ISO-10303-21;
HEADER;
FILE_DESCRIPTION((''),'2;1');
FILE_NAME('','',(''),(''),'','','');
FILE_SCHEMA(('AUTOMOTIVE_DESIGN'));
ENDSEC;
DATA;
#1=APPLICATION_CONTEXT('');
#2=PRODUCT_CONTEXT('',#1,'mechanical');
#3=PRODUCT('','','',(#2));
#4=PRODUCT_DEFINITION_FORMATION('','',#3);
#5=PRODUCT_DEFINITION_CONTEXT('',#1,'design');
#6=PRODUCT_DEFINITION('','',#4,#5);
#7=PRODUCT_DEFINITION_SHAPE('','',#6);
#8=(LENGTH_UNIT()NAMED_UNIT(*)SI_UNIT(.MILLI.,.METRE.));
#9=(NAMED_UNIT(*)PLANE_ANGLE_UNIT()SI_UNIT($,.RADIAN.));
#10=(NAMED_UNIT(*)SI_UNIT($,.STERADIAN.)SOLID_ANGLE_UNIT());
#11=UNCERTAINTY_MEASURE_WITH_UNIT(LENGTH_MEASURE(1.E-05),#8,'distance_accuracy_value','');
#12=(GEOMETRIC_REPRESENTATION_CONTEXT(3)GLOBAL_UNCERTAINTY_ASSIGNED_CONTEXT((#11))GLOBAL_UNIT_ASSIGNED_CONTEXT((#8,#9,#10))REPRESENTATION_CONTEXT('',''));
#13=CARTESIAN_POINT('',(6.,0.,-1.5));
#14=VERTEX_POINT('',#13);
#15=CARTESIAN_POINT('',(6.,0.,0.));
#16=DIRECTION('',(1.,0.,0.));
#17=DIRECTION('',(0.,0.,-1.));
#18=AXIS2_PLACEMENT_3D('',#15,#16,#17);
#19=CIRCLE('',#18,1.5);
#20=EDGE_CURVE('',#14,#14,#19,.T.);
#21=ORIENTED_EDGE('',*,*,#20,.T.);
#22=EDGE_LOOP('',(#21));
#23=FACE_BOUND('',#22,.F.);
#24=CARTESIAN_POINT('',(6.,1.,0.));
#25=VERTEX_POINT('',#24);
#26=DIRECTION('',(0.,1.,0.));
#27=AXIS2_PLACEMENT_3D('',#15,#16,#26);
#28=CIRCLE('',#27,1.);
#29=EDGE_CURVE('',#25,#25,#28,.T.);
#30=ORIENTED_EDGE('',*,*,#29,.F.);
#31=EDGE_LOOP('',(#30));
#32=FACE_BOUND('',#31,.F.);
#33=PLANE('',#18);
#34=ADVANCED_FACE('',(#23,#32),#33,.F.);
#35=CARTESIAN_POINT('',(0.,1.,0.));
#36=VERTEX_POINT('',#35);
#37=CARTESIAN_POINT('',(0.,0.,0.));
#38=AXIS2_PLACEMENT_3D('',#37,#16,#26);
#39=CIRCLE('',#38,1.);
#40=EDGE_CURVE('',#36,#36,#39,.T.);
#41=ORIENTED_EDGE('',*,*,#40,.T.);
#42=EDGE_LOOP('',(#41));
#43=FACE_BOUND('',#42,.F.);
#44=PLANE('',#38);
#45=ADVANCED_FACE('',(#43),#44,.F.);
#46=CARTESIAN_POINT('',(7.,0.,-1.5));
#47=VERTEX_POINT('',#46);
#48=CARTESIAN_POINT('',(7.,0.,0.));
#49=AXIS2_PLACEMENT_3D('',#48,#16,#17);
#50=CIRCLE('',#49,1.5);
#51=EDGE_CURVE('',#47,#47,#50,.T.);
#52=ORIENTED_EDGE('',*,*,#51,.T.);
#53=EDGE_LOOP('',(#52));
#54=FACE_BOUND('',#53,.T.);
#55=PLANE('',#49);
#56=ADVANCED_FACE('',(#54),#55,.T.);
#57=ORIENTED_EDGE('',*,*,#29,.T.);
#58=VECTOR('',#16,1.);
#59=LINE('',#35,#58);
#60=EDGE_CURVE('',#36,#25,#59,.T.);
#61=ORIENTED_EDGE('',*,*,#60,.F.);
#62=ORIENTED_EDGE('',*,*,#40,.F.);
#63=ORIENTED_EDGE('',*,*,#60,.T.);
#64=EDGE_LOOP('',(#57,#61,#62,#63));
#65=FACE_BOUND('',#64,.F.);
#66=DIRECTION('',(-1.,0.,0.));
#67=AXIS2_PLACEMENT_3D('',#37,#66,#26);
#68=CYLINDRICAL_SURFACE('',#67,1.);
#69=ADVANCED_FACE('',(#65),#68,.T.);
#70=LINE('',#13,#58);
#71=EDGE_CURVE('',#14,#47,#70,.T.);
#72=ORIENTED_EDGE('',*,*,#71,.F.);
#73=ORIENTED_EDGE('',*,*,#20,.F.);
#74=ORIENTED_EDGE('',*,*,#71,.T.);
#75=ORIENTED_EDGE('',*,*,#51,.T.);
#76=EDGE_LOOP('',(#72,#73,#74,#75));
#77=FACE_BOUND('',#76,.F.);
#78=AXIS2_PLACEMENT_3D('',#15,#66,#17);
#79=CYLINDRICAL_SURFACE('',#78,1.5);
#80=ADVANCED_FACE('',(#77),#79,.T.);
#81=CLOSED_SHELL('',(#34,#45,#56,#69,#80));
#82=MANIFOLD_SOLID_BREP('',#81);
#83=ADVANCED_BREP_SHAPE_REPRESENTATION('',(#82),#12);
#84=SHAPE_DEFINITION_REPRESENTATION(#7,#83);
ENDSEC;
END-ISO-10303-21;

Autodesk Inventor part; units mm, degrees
ref_plane "YZ Plane" through (0, 0, 0) normal (1, 0, 0) x (0, 1, 0)
ref_plane "XZ Plane" through (0, 0, 0) normal (0, 1, 0) x (-1, 0, 0)
ref_plane "XY Plane" through (0, 0, 0) normal (0, 0, 1) x (1, 0, 0)
sketch "Sketch1" plane through (0, 0, 0) normal (1, 0, 0) x (0, 1, 0)
  circle A0 centre (0, 0) radius 1
  dimension "d0" = 2
extrude "Extrusion1" add sketch "Sketch1" along normal blind 6
sketch "Sketch2" plane through (6, 0, 0) normal (1, 0, 0) x (0, 0, -1)
  circle A0 centre (0, 0) radius 1.5
  dimension "d3" = 3
extrude "Extrusion2" add sketch "Sketch2" along normal blind 1
properties part number "smalll pin"
